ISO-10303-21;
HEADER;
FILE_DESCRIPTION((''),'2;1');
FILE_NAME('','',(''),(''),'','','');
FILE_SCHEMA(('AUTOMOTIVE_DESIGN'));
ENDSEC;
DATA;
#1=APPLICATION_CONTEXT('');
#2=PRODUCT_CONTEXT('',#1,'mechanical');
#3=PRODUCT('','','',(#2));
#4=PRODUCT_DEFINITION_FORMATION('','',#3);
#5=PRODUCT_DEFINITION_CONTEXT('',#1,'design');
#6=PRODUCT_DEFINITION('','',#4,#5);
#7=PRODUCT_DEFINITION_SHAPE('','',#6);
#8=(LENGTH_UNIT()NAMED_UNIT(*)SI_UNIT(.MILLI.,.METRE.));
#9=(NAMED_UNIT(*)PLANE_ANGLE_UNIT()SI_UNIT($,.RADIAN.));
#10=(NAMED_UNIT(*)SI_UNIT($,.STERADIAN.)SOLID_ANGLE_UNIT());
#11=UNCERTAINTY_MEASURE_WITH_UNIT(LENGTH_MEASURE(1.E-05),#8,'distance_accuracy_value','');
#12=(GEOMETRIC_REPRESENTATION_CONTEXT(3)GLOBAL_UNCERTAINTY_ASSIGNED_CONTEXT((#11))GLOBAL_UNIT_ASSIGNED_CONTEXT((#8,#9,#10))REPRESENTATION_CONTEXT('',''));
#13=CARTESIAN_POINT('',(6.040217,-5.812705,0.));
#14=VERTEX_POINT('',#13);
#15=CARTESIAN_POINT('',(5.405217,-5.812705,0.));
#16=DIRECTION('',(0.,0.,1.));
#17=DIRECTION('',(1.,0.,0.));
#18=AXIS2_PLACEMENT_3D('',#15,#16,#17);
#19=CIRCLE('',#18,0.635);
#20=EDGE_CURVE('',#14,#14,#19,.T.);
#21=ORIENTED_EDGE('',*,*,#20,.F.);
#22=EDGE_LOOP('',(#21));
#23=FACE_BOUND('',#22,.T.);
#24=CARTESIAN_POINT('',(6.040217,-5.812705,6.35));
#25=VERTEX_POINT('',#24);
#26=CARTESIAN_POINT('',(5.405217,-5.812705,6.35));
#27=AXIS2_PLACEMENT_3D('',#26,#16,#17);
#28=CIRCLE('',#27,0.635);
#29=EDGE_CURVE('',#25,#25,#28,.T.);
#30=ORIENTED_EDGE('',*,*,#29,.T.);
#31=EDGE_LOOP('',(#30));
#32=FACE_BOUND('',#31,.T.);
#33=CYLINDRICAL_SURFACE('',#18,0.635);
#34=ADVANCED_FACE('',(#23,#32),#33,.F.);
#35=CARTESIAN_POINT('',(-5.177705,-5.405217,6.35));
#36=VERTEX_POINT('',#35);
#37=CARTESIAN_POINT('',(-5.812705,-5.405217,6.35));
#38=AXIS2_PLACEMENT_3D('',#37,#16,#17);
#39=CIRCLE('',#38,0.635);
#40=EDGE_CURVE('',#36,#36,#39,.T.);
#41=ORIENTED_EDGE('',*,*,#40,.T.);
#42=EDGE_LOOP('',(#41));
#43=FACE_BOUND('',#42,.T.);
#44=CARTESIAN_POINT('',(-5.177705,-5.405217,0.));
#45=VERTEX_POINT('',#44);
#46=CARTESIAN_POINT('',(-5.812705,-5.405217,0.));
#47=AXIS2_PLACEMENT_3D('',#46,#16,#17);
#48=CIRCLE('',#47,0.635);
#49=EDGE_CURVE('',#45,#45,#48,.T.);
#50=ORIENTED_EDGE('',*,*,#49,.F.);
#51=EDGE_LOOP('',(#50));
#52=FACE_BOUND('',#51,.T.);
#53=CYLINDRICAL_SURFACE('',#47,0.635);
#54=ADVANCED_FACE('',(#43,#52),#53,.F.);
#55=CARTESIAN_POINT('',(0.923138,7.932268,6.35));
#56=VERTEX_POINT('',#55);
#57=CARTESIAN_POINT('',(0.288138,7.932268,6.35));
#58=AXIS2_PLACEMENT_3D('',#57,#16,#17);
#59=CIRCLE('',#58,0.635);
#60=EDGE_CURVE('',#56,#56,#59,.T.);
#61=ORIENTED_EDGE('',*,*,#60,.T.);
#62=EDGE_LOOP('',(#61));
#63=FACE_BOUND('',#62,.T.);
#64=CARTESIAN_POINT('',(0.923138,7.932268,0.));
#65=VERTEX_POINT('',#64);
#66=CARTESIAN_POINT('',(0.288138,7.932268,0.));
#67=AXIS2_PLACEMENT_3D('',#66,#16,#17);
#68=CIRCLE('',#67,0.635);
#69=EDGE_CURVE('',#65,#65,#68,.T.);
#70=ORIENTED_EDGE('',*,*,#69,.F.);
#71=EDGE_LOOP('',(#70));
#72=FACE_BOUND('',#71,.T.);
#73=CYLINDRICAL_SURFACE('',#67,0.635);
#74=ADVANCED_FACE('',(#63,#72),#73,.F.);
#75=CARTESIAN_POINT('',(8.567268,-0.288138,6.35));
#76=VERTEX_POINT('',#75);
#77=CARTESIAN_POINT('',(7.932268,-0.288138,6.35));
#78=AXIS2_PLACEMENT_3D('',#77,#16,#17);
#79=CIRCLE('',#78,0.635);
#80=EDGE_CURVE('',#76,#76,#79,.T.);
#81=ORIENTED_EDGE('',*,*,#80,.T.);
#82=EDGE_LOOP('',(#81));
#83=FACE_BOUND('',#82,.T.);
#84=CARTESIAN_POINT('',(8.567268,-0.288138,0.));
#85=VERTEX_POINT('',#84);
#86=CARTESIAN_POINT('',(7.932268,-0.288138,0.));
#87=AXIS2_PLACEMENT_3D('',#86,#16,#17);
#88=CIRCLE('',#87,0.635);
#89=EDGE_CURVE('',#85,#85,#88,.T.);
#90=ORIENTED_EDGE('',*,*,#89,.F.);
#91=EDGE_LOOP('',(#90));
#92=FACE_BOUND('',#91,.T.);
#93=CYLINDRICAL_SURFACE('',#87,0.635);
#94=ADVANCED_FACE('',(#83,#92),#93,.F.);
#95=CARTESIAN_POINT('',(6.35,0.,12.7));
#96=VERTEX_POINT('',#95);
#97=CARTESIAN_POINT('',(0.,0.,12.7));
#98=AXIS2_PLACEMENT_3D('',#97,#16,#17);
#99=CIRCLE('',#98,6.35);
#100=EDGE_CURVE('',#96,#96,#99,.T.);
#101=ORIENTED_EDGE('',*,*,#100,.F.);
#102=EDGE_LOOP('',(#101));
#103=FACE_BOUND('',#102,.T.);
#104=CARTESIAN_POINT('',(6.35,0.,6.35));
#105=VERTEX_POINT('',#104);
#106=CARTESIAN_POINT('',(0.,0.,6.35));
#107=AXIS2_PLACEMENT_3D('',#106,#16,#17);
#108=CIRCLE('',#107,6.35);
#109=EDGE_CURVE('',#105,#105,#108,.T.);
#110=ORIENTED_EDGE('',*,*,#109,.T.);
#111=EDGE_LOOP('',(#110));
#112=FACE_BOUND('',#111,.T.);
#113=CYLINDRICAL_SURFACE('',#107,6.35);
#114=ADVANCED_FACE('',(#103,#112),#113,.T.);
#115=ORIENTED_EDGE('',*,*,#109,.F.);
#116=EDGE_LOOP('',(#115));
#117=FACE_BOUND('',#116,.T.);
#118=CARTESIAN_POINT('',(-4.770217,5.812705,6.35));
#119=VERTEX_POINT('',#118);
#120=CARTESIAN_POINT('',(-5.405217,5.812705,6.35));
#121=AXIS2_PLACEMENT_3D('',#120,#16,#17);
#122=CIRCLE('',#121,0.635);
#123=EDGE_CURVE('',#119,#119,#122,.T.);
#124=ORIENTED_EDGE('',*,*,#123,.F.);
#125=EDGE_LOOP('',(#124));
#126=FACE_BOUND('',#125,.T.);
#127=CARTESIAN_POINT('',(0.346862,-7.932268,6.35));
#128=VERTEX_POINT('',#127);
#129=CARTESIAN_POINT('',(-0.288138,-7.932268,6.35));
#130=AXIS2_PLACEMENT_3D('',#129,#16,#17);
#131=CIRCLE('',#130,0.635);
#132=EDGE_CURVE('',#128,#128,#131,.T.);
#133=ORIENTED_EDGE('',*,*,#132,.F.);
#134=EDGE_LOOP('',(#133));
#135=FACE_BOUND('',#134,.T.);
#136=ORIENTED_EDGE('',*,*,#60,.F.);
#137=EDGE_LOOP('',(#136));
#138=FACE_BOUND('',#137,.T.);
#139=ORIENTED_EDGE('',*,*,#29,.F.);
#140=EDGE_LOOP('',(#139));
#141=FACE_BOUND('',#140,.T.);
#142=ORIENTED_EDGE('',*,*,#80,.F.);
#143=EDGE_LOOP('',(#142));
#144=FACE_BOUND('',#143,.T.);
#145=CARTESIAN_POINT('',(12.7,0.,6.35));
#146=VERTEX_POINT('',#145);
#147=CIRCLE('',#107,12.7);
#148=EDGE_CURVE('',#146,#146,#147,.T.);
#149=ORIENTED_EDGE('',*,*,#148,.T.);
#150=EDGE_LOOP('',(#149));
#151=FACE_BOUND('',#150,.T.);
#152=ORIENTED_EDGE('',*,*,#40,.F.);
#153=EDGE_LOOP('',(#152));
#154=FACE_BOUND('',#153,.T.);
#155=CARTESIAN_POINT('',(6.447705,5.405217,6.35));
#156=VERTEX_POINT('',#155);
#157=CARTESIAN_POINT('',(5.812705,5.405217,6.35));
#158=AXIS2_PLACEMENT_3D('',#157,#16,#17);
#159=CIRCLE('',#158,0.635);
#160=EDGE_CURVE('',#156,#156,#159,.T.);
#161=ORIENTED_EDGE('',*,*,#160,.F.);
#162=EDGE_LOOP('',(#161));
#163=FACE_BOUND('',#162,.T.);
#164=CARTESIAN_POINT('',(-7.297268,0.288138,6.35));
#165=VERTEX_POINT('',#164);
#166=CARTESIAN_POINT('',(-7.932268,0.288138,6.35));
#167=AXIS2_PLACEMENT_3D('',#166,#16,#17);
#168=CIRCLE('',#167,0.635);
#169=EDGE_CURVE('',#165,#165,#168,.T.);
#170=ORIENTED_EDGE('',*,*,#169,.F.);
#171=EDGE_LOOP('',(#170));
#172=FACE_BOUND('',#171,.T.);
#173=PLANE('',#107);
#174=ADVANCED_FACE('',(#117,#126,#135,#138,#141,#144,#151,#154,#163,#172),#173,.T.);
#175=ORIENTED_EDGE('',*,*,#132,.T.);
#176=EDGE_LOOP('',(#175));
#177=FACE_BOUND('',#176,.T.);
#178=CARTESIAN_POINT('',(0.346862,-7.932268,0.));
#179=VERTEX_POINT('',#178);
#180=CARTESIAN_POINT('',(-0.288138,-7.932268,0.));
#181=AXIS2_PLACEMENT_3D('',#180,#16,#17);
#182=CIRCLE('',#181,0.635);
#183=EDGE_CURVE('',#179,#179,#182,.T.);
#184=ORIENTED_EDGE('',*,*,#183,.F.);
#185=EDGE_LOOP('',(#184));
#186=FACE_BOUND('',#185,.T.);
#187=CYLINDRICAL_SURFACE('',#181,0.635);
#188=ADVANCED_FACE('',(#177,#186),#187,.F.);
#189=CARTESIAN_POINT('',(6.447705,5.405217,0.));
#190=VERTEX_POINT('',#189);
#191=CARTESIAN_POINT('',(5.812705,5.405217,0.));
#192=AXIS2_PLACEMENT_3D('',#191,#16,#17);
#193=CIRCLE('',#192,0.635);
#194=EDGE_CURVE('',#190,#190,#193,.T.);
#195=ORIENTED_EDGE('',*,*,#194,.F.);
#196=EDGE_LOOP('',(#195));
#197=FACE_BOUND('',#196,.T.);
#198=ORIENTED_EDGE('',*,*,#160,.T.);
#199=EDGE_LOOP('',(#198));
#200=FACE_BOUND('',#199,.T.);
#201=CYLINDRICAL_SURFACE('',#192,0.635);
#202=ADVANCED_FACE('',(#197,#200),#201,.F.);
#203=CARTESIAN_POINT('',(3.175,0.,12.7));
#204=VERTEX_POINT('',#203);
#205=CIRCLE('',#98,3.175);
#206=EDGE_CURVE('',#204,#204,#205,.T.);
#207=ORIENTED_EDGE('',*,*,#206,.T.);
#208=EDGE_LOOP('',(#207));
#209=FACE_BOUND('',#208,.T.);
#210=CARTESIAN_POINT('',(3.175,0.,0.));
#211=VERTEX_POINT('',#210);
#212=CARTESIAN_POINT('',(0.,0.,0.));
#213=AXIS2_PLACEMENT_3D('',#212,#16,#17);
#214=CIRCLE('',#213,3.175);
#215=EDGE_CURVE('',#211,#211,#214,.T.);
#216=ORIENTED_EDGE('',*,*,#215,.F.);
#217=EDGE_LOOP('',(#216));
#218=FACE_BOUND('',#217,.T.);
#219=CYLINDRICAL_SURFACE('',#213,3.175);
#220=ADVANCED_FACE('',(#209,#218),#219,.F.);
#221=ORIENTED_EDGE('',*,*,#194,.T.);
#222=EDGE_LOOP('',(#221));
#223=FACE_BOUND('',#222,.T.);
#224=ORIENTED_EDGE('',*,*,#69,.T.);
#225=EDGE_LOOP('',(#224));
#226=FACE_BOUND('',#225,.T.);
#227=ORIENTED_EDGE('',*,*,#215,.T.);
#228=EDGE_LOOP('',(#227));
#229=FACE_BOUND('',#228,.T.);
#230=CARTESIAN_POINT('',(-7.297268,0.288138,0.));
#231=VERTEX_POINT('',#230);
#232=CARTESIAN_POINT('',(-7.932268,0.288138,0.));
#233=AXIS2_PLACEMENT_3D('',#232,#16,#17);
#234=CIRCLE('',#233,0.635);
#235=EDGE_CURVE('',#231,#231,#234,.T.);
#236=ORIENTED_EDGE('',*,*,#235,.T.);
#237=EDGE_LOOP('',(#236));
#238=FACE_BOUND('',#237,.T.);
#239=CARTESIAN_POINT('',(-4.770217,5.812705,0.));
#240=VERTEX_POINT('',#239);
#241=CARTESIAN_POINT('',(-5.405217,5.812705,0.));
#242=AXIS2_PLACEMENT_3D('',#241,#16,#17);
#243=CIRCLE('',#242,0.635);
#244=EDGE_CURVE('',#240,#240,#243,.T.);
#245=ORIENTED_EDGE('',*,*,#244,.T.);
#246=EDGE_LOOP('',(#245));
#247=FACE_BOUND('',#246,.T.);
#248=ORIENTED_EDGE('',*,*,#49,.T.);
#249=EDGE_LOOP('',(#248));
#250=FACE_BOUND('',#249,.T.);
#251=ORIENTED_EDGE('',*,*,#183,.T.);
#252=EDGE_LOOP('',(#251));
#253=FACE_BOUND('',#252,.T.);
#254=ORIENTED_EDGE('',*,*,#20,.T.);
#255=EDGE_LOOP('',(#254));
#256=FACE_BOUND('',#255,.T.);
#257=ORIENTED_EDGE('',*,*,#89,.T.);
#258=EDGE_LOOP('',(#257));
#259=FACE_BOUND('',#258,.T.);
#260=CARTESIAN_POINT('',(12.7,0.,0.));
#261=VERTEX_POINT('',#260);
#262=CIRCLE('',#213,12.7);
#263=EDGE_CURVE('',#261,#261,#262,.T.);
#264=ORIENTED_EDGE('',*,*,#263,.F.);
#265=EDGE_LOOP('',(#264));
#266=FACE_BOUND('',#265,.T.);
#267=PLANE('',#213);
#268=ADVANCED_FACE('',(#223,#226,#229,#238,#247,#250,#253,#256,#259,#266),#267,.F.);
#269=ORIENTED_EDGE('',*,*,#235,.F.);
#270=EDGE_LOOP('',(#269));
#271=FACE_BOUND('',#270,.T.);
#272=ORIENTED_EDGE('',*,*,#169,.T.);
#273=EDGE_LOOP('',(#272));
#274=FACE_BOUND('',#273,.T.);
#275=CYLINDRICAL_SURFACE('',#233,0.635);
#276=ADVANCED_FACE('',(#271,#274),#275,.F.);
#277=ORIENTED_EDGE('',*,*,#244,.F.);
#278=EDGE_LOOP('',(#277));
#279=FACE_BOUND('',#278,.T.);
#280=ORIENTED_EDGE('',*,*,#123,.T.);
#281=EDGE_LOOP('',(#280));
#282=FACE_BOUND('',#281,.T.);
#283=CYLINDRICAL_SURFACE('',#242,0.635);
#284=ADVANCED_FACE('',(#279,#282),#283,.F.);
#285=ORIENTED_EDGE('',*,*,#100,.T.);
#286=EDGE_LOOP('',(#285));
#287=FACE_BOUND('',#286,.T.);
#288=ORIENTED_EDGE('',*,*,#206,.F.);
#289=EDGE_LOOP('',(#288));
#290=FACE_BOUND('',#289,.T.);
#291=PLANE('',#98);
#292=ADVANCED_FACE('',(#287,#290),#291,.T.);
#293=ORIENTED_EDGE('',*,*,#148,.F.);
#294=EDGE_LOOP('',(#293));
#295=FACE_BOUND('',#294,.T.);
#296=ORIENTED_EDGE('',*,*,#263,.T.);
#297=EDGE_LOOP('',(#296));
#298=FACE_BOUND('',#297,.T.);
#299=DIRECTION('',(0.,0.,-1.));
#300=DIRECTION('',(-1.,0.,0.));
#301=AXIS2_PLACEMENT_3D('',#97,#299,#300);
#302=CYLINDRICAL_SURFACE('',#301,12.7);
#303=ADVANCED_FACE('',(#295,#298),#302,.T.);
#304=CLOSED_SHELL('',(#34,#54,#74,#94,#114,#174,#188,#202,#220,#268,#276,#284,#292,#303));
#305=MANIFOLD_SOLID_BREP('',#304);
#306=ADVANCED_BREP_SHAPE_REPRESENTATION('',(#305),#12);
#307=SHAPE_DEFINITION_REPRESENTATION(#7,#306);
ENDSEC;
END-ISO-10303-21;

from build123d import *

# Parameters (mm, degrees)
SKETCH1_R           = 12.7
BOSS_EXTRUDE1_DEPTH = 12.7
SKETCH2_R           = 3.175
CUT_EXTRUDE1_DEPTH  = 22.997045256
SKETCH3_R           = 15.493591624
SKETCH3_R_2         = 6.35
CUT_EXTRUDE2_DEPTH  = 6.35
SKETCH4_R           = 0.635
CUT_EXTRUDE3_DEPTH  = 20.05


with BuildPart() as part:
    # Sketch1 → Boss-Extrude1 (new body)
    with BuildSketch(Plane.XY):
        Circle(SKETCH1_R)
    extrude(amount=BOSS_EXTRUDE1_DEPTH)

    # Sketch2 → Cut-Extrude1 (cut, through all)
    with BuildSketch(Plane.XY.offset(12.7)):
        Circle(SKETCH2_R)
    extrude(amount=-CUT_EXTRUDE1_DEPTH, mode=Mode.SUBTRACT)

    # Sketch3 → Cut-Extrude2 (cut)
    with BuildSketch(Plane.XY.offset(12.7)):
        Circle(SKETCH3_R)
        Circle(SKETCH3_R_2, mode=Mode.SUBTRACT)
    extrude(amount=-CUT_EXTRUDE2_DEPTH, mode=Mode.SUBTRACT)

    # Sketch4 → Cut-Extrude3 (cut, through all)
    with BuildSketch(Plane.XY.offset(6.35)):
        with Locations((0.288137957, 7.93226845)):
            Circle(SKETCH4_R)
        with Locations((5.812705114, 5.405216508)):
            Circle(SKETCH4_R)
        with Locations((7.93226845, -0.288137957)):
            Circle(SKETCH4_R)
        with Locations((5.405216508, -5.812705114)):
            Circle(SKETCH4_R)
        with Locations((-0.288137957, -7.93226845)):
            Circle(SKETCH4_R)
        with Locations((-5.812705114, -5.405216508)):
            Circle(SKETCH4_R)
        with Locations((-7.93226845, 0.288137957)):
            Circle(SKETCH4_R)
        with Locations((-5.405216508, 5.812705114)):
            Circle(SKETCH4_R)
    extrude(amount=-CUT_EXTRUDE3_DEPTH, mode=Mode.SUBTRACT)


solid = part.part
